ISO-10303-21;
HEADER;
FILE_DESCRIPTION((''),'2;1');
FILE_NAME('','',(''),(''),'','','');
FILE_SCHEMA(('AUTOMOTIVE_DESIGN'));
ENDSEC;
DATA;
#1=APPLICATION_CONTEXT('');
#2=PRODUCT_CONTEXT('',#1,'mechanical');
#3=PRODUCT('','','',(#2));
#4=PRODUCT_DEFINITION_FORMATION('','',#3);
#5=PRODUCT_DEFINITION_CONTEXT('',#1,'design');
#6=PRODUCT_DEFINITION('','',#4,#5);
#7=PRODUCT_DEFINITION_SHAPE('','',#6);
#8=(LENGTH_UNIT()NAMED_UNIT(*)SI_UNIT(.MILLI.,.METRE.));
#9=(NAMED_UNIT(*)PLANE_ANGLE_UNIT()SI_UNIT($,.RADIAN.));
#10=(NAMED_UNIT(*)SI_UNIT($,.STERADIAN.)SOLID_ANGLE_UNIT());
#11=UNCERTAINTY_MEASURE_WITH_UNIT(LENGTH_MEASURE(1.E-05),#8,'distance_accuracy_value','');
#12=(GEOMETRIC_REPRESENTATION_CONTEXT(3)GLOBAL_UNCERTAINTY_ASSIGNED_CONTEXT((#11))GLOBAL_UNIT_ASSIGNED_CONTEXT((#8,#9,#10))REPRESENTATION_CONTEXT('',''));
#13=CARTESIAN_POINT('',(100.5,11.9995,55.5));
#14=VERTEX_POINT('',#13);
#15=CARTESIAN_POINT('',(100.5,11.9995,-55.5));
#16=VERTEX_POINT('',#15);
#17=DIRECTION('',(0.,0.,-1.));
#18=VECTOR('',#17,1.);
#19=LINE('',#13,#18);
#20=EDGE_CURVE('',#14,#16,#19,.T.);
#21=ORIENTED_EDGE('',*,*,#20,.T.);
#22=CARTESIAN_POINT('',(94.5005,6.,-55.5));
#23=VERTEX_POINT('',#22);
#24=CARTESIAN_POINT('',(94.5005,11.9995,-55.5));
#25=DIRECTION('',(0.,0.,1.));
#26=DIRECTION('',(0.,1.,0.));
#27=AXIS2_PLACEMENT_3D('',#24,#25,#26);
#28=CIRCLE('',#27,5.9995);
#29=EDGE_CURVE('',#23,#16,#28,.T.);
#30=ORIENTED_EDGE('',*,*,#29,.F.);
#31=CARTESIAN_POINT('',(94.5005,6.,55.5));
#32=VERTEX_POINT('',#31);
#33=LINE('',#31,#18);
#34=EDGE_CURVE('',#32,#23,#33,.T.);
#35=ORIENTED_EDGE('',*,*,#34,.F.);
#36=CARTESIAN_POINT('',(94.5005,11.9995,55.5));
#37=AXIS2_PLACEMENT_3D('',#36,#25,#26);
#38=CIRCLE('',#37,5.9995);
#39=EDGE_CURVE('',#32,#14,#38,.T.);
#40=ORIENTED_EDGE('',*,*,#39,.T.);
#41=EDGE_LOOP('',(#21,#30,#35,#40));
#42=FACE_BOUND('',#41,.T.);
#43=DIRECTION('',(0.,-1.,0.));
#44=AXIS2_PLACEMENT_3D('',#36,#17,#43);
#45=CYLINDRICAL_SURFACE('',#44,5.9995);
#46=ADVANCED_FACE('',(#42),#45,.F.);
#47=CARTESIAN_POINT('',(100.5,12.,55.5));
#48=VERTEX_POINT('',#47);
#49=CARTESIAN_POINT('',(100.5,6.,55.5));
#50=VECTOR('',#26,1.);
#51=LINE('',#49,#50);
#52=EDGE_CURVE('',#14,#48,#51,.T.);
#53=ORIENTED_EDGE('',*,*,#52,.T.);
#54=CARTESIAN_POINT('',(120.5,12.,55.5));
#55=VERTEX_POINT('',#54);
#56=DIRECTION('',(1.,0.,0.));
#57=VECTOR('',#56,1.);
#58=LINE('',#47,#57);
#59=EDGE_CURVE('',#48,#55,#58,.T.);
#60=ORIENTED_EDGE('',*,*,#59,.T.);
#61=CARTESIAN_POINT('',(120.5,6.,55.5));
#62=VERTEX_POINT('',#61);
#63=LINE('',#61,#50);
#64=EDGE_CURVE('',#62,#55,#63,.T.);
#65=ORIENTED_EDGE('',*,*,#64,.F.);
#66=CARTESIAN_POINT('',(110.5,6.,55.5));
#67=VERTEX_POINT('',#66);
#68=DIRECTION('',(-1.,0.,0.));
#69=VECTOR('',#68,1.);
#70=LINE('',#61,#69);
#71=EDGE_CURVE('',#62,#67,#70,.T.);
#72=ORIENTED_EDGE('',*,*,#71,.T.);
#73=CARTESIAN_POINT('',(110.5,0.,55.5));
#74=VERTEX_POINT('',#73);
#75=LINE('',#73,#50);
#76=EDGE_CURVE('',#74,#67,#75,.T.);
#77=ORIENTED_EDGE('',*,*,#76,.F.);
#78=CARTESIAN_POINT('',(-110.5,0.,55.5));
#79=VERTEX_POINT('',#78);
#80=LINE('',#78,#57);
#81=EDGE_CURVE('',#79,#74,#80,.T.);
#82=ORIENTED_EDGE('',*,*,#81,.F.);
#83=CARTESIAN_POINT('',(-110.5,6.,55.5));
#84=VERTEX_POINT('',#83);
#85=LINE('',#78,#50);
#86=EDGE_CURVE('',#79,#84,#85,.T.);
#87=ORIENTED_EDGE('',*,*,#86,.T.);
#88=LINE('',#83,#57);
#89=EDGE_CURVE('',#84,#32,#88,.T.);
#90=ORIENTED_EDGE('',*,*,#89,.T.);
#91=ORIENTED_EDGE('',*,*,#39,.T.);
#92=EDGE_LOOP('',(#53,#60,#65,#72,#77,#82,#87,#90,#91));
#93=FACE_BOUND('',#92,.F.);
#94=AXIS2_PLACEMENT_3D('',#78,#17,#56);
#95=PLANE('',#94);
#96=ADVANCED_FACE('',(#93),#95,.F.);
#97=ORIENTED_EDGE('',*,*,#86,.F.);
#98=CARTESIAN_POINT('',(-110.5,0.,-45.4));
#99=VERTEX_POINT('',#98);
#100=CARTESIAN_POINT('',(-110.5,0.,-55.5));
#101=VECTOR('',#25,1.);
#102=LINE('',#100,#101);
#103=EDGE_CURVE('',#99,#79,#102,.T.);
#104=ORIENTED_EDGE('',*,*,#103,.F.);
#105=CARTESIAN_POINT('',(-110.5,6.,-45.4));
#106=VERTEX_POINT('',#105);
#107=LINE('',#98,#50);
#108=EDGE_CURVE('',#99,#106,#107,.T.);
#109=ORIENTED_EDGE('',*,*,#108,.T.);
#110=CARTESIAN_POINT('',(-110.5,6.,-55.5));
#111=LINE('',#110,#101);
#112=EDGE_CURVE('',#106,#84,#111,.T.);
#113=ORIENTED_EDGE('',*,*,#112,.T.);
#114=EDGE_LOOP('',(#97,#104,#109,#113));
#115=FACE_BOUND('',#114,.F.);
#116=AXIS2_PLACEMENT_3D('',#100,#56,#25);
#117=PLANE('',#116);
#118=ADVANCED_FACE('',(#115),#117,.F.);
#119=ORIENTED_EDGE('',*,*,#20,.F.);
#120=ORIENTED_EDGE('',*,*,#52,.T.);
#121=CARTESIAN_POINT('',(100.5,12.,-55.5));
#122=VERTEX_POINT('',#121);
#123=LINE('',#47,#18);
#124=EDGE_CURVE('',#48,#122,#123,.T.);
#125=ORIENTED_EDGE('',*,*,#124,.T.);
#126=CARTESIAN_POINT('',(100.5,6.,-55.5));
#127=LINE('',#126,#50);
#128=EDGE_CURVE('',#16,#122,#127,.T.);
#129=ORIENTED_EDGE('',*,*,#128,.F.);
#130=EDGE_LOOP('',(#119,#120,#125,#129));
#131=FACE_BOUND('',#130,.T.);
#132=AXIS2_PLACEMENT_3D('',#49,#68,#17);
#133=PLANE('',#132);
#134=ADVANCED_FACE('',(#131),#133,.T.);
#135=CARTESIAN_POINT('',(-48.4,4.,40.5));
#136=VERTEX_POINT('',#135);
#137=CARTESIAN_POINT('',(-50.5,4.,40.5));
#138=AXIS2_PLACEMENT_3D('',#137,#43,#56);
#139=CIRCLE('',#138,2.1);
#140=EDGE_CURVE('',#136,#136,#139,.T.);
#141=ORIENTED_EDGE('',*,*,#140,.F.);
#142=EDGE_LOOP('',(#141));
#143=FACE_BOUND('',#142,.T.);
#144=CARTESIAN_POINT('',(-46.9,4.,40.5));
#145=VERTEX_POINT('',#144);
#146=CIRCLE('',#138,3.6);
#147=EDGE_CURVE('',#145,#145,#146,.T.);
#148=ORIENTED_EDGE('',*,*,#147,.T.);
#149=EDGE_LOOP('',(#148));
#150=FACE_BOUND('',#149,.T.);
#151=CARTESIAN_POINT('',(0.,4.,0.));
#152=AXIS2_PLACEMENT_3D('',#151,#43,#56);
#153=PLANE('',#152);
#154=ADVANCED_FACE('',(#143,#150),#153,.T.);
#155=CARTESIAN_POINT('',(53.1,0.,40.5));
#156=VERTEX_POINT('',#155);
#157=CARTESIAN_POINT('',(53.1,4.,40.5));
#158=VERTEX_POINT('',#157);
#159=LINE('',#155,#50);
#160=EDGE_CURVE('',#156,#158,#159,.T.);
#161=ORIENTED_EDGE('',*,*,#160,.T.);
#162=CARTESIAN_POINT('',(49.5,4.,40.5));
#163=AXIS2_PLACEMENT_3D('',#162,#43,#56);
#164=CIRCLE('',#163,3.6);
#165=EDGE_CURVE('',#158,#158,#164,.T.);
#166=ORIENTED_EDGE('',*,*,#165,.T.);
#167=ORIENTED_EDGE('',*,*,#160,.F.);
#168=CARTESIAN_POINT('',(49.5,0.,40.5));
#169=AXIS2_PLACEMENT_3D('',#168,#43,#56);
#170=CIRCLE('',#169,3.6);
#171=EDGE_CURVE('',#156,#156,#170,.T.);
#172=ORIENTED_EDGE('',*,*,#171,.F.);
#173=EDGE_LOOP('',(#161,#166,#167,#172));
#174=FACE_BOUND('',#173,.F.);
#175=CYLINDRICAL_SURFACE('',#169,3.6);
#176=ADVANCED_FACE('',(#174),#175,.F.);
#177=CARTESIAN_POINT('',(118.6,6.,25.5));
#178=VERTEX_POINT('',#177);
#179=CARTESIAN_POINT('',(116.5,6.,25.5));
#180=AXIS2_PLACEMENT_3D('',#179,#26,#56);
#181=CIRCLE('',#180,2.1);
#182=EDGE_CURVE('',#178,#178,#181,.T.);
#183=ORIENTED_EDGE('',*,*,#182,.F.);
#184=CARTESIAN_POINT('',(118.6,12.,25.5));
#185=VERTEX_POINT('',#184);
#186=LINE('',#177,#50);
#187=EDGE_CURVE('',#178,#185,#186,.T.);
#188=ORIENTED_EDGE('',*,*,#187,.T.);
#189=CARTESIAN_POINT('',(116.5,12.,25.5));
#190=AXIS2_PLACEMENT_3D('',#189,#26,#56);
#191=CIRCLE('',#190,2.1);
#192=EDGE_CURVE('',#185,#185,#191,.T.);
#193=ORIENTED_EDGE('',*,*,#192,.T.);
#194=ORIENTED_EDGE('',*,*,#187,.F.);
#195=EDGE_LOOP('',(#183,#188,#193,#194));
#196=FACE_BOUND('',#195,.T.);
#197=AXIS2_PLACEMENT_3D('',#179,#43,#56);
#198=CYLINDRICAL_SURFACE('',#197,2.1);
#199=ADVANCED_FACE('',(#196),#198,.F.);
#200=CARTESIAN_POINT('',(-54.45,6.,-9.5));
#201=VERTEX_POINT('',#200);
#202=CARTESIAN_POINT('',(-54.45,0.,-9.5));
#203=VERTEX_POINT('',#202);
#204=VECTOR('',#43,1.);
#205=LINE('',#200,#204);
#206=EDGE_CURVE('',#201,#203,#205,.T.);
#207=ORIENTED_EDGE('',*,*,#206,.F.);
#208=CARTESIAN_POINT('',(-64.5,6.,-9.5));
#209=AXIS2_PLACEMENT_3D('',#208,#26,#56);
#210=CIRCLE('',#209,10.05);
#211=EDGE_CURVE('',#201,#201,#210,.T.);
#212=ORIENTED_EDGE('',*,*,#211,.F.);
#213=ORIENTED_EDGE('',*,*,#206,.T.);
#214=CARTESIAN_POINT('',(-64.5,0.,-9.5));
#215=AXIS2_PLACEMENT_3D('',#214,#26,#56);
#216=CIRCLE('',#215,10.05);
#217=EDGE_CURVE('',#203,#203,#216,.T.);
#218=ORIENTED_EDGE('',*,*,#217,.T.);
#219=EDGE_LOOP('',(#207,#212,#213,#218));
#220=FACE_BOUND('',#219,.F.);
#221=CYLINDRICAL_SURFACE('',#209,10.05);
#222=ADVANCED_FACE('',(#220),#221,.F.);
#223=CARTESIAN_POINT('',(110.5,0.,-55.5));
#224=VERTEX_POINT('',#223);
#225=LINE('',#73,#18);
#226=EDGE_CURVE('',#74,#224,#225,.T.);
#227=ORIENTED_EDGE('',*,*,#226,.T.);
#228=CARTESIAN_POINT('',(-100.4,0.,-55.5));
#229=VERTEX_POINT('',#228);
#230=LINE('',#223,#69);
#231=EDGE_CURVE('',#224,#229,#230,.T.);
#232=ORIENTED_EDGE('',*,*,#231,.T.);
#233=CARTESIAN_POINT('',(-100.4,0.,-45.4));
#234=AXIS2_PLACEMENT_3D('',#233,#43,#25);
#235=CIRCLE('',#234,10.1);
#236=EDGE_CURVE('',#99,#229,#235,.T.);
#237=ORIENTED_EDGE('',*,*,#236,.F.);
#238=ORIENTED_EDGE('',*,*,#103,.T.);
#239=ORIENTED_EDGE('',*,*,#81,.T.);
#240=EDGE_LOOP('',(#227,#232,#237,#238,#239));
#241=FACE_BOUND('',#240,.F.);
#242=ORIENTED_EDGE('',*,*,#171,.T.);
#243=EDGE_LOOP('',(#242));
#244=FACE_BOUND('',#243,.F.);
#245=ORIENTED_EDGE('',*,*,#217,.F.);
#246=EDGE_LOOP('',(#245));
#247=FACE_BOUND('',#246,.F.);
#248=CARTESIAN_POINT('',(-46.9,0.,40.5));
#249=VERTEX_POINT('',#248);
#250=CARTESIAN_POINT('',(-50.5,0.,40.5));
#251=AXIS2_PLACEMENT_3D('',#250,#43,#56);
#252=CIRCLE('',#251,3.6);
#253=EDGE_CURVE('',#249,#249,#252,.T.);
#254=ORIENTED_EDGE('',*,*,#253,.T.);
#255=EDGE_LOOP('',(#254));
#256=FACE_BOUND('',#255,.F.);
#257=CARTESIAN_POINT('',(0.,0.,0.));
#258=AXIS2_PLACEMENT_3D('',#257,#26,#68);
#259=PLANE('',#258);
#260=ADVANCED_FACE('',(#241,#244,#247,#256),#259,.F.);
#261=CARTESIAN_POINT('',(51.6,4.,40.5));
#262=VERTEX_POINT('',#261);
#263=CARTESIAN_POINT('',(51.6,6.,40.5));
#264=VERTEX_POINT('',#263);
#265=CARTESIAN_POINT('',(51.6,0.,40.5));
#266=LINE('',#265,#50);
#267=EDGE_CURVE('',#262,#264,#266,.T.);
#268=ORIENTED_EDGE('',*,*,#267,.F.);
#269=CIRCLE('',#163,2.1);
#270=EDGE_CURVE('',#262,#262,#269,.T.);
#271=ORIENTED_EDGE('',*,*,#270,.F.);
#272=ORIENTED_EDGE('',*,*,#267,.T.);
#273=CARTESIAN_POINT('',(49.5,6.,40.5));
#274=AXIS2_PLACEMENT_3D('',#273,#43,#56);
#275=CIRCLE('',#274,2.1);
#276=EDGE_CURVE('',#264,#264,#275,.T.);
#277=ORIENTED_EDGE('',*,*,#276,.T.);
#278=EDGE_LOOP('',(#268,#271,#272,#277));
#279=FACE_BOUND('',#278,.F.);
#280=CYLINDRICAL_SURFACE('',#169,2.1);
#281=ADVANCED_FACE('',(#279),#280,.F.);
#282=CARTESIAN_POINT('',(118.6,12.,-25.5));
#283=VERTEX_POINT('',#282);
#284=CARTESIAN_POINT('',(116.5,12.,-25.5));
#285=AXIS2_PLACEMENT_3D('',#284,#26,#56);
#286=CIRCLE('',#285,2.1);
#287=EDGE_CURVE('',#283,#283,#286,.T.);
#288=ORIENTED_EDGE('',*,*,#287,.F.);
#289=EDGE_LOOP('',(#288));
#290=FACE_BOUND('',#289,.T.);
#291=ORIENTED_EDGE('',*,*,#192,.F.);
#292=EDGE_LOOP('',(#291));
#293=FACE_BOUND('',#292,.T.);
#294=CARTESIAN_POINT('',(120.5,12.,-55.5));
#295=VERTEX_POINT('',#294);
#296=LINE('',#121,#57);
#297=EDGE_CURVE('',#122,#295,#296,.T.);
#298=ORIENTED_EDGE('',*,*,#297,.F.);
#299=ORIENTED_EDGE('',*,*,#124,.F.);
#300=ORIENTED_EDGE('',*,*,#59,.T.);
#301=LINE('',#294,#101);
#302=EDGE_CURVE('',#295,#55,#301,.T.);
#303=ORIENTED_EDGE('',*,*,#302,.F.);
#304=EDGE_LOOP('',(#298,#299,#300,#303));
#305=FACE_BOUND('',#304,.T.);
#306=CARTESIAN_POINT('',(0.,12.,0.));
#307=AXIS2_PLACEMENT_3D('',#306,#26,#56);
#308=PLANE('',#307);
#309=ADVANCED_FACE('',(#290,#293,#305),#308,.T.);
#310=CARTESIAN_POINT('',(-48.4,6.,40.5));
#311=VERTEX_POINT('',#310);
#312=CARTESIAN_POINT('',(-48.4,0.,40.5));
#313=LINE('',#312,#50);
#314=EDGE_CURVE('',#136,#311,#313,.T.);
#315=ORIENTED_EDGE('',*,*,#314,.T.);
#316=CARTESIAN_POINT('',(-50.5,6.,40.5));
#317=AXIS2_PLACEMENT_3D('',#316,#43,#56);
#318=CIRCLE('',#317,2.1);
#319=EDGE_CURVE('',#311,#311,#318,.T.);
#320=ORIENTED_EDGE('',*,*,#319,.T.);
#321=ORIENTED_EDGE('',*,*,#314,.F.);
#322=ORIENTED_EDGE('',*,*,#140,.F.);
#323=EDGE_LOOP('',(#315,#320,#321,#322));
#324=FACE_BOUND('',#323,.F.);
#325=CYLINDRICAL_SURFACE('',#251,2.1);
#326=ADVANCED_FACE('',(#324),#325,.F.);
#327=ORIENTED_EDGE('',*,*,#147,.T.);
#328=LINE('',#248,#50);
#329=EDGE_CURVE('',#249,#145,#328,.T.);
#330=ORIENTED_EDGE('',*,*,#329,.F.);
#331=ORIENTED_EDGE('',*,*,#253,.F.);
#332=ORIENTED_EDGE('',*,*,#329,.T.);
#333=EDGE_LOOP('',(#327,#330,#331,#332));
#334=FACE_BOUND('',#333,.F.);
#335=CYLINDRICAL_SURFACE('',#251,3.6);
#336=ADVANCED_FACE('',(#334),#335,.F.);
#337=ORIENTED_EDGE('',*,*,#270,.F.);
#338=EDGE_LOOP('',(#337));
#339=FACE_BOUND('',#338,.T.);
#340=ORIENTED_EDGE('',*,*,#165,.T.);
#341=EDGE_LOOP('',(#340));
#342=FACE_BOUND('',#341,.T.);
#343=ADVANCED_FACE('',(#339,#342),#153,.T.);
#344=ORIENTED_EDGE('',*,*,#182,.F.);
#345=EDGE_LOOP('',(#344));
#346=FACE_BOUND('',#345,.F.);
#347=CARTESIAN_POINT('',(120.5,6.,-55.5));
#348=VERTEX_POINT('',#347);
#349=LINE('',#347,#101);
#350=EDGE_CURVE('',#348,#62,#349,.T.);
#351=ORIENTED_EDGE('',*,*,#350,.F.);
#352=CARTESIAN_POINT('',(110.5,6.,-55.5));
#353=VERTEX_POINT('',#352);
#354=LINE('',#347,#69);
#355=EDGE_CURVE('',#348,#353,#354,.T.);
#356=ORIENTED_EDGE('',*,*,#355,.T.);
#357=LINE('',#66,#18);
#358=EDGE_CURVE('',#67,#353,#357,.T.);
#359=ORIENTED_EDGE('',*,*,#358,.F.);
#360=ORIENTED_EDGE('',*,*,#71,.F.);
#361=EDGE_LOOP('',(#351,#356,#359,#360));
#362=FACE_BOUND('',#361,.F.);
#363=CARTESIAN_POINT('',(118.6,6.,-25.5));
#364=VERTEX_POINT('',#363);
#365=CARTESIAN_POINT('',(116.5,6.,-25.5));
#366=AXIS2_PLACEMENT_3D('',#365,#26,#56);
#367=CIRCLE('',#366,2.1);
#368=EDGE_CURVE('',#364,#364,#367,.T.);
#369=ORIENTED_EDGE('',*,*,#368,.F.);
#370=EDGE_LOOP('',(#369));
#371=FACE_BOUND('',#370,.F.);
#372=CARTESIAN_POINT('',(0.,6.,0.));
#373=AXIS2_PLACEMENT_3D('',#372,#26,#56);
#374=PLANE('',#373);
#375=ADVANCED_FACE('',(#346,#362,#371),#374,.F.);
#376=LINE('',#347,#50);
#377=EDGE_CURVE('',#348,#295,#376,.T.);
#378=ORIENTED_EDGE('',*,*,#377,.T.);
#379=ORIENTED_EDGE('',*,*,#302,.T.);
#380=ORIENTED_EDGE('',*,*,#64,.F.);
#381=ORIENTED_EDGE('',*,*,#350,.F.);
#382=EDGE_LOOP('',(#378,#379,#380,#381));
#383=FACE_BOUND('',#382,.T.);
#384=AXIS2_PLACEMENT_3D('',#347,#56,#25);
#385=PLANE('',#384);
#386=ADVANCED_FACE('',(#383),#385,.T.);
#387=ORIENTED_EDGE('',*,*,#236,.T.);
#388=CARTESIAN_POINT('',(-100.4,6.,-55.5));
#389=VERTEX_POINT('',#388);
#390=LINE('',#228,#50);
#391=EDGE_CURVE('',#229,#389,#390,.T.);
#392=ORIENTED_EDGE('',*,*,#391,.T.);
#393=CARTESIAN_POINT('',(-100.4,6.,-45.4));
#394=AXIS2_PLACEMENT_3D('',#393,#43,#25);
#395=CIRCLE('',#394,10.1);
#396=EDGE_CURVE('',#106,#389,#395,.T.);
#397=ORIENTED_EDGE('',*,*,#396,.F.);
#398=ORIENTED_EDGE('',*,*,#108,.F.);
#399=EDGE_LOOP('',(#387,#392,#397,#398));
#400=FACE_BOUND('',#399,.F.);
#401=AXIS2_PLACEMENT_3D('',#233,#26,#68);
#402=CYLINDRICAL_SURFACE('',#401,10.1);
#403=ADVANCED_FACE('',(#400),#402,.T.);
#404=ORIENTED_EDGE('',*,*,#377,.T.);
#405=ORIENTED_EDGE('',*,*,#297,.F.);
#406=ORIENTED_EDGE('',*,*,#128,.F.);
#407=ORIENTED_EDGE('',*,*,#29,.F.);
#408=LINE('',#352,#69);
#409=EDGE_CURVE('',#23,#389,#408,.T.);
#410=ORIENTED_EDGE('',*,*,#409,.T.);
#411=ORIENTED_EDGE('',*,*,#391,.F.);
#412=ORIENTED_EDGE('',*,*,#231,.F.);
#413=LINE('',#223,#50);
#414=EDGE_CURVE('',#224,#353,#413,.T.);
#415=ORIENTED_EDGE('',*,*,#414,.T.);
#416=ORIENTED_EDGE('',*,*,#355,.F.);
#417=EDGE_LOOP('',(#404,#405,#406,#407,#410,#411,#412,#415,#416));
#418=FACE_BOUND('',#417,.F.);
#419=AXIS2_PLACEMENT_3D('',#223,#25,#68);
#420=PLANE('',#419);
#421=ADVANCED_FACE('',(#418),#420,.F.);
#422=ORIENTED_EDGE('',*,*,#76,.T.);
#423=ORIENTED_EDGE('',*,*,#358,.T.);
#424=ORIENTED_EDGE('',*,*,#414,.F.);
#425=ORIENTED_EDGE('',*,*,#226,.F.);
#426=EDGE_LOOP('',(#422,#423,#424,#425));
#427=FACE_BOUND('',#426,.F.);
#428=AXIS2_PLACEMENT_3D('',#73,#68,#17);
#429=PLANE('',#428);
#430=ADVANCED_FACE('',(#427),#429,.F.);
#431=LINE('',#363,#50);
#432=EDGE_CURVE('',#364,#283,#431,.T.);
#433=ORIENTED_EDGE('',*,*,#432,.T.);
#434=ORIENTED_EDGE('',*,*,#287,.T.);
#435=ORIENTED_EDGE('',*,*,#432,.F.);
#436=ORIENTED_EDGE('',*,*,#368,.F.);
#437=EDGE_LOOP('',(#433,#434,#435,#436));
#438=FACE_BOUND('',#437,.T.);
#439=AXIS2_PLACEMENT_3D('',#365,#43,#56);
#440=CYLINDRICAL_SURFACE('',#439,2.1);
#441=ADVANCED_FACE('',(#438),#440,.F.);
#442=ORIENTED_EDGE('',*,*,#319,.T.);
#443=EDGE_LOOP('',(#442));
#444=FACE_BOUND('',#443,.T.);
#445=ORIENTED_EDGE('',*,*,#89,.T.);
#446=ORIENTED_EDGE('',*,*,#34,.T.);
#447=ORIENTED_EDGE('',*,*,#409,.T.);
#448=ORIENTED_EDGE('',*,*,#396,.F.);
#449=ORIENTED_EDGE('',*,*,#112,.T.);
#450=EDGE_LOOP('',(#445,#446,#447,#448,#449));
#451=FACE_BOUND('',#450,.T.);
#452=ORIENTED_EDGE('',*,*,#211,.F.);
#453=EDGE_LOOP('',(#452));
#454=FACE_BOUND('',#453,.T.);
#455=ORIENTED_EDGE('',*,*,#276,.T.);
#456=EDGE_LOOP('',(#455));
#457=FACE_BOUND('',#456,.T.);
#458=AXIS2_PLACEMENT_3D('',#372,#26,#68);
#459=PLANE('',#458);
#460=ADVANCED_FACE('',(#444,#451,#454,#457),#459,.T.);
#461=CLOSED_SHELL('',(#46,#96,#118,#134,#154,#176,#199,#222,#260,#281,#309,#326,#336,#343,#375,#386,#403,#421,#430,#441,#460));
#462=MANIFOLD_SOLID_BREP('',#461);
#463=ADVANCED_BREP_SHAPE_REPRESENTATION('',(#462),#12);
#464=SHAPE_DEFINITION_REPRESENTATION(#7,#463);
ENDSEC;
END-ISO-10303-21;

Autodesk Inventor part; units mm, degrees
ref_plane "YZ Plane" through (0, 0, 0) normal (1, 0, 0) x (0, 1, 0)
ref_plane "XZ Plane" through (0, 0, 0) normal (0, 1, 0) x (-1, 0, 0)
ref_plane "XY Plane" through (0, 0, 0) normal (0, 0, 1) x (1, 0, 0)
sketch "草图1" plane through (0, 0, 0) normal (0, 1, 0) x (-1, 0, 0)
  line L0 (110.5, 55.5) -> (-110.5, 55.5)
  line L1 (-110.5, 55.5) -> (-110.5, -55.5)
  line L2 (-110.5, -55.5) -> (110.5, -55.5)
  line L3 (110.5, -55.5) -> (110.5, 55.5)
  line L4 (0, 7.5575) -> (0, -11)
  line L5 (8.5019, 0) -> (-7, 0)
  point P0 (0, 0)
  point P1 (0, 0)
  point P2 (0, 0)
  dimension "d0" = 221
  dimension "d1" = 111
extrude "拉伸1" add sketch "草图1" along normal blind 6
fillet "圆角1" radius 10.1 1 edges at (-110.5, 3, -55.5)
sketch "草图2" plane through (0, 6, 0) normal (0, 1, 0) x (1, 0, 0)
  circle A0 centre (-64.5, 9.5) radius 10.05
  line L0 (110.5, 55.5) -> (-100.4, 55.5) projected
  line L1 (-110.5, 45.4) -> (-110.5, -55.5) projected
  point P0 (0, 0)
  dimension "d5" = 20.1
  dimension "d6" = 46
  dimension "d7" = 46
extrude "拉伸2" cut sketch "草图2" against normal blind 6
sketch "草图3" plane through (0, 6, 0) normal (0, 1, 0) x (1, 0, 0)
  line L0 (100.5, 55.5) -> (120.5, 55.5)
  line L1 (120.5, 55.5) -> (120.5, -55.5)
  line L2 (120.5, -55.5) -> (100.5, -55.5)
  line L3 (100.5, -55.5) -> (100.5, 55.5)
  line L4 (110.5, -55.5) -> (110.5, 55.5)
  circle A0 centre (116.5, 25.5) radius 2.1
  circle A1 centre (116.5, -25.5) radius 2.1
  point P0 (0, 0)
  dimension "d10" = 20
  dimension "d11" = 10
  dimension "d12" = 4.2
  dimension "d13" = 4.2
  dimension "d14" = 4
  dimension "d15" = 4
  dimension "d16" = 30
  dimension "d17" = 30
extrude "拉伸3" add sketch "草图3" along normal blind 6
fillet "圆角2" radius 6 1 edges at (100.5, 6, 0)
sketch "草图4" plane through (0, 0, 0) normal (0, -1, 0) x (1, 0, 0)
  circle A0 centre (-50.5, 40.5) radius 2.1
  circle A1 centre (49.5, 40.5) radius 2.1
  line L0 (-110.5, 55.5) -> (110.5, 55.5) projected
  line L1 (-110.5, -45.4) -> (-110.5, 55.5) projected
  point P0 (0, 0)
  dimension "d21" = 4.2
  dimension "d22" = 4.2
  dimension "d23" = 15
  dimension "d24" = 15
  dimension "d25" = 60
  dimension "d26" = 100
extrude "拉伸4" cut sketch "草图4" against normal blind 6
sketch "草图5" plane through (0, 0, 0) normal (0, -1, 0) x (1, 0, 0)
  circle A0 centre (-50.5, 40.5) radius 2.1 projected
  circle A1 centre (-50.5, 40.5) radius 3.6
  circle A2 centre (49.5, 40.5) radius 2.1 projected
  circle A3 centre (49.5, 40.5) radius 3.6
  point P0 (0, 0)
  dimension "d29" = 7.2
  dimension "d30" = 7.2
extrude "拉伸5" cut sketch "草图5" against normal blind 4 contours A0 | A1 | A2 | A3
properties part number "底板_C"
